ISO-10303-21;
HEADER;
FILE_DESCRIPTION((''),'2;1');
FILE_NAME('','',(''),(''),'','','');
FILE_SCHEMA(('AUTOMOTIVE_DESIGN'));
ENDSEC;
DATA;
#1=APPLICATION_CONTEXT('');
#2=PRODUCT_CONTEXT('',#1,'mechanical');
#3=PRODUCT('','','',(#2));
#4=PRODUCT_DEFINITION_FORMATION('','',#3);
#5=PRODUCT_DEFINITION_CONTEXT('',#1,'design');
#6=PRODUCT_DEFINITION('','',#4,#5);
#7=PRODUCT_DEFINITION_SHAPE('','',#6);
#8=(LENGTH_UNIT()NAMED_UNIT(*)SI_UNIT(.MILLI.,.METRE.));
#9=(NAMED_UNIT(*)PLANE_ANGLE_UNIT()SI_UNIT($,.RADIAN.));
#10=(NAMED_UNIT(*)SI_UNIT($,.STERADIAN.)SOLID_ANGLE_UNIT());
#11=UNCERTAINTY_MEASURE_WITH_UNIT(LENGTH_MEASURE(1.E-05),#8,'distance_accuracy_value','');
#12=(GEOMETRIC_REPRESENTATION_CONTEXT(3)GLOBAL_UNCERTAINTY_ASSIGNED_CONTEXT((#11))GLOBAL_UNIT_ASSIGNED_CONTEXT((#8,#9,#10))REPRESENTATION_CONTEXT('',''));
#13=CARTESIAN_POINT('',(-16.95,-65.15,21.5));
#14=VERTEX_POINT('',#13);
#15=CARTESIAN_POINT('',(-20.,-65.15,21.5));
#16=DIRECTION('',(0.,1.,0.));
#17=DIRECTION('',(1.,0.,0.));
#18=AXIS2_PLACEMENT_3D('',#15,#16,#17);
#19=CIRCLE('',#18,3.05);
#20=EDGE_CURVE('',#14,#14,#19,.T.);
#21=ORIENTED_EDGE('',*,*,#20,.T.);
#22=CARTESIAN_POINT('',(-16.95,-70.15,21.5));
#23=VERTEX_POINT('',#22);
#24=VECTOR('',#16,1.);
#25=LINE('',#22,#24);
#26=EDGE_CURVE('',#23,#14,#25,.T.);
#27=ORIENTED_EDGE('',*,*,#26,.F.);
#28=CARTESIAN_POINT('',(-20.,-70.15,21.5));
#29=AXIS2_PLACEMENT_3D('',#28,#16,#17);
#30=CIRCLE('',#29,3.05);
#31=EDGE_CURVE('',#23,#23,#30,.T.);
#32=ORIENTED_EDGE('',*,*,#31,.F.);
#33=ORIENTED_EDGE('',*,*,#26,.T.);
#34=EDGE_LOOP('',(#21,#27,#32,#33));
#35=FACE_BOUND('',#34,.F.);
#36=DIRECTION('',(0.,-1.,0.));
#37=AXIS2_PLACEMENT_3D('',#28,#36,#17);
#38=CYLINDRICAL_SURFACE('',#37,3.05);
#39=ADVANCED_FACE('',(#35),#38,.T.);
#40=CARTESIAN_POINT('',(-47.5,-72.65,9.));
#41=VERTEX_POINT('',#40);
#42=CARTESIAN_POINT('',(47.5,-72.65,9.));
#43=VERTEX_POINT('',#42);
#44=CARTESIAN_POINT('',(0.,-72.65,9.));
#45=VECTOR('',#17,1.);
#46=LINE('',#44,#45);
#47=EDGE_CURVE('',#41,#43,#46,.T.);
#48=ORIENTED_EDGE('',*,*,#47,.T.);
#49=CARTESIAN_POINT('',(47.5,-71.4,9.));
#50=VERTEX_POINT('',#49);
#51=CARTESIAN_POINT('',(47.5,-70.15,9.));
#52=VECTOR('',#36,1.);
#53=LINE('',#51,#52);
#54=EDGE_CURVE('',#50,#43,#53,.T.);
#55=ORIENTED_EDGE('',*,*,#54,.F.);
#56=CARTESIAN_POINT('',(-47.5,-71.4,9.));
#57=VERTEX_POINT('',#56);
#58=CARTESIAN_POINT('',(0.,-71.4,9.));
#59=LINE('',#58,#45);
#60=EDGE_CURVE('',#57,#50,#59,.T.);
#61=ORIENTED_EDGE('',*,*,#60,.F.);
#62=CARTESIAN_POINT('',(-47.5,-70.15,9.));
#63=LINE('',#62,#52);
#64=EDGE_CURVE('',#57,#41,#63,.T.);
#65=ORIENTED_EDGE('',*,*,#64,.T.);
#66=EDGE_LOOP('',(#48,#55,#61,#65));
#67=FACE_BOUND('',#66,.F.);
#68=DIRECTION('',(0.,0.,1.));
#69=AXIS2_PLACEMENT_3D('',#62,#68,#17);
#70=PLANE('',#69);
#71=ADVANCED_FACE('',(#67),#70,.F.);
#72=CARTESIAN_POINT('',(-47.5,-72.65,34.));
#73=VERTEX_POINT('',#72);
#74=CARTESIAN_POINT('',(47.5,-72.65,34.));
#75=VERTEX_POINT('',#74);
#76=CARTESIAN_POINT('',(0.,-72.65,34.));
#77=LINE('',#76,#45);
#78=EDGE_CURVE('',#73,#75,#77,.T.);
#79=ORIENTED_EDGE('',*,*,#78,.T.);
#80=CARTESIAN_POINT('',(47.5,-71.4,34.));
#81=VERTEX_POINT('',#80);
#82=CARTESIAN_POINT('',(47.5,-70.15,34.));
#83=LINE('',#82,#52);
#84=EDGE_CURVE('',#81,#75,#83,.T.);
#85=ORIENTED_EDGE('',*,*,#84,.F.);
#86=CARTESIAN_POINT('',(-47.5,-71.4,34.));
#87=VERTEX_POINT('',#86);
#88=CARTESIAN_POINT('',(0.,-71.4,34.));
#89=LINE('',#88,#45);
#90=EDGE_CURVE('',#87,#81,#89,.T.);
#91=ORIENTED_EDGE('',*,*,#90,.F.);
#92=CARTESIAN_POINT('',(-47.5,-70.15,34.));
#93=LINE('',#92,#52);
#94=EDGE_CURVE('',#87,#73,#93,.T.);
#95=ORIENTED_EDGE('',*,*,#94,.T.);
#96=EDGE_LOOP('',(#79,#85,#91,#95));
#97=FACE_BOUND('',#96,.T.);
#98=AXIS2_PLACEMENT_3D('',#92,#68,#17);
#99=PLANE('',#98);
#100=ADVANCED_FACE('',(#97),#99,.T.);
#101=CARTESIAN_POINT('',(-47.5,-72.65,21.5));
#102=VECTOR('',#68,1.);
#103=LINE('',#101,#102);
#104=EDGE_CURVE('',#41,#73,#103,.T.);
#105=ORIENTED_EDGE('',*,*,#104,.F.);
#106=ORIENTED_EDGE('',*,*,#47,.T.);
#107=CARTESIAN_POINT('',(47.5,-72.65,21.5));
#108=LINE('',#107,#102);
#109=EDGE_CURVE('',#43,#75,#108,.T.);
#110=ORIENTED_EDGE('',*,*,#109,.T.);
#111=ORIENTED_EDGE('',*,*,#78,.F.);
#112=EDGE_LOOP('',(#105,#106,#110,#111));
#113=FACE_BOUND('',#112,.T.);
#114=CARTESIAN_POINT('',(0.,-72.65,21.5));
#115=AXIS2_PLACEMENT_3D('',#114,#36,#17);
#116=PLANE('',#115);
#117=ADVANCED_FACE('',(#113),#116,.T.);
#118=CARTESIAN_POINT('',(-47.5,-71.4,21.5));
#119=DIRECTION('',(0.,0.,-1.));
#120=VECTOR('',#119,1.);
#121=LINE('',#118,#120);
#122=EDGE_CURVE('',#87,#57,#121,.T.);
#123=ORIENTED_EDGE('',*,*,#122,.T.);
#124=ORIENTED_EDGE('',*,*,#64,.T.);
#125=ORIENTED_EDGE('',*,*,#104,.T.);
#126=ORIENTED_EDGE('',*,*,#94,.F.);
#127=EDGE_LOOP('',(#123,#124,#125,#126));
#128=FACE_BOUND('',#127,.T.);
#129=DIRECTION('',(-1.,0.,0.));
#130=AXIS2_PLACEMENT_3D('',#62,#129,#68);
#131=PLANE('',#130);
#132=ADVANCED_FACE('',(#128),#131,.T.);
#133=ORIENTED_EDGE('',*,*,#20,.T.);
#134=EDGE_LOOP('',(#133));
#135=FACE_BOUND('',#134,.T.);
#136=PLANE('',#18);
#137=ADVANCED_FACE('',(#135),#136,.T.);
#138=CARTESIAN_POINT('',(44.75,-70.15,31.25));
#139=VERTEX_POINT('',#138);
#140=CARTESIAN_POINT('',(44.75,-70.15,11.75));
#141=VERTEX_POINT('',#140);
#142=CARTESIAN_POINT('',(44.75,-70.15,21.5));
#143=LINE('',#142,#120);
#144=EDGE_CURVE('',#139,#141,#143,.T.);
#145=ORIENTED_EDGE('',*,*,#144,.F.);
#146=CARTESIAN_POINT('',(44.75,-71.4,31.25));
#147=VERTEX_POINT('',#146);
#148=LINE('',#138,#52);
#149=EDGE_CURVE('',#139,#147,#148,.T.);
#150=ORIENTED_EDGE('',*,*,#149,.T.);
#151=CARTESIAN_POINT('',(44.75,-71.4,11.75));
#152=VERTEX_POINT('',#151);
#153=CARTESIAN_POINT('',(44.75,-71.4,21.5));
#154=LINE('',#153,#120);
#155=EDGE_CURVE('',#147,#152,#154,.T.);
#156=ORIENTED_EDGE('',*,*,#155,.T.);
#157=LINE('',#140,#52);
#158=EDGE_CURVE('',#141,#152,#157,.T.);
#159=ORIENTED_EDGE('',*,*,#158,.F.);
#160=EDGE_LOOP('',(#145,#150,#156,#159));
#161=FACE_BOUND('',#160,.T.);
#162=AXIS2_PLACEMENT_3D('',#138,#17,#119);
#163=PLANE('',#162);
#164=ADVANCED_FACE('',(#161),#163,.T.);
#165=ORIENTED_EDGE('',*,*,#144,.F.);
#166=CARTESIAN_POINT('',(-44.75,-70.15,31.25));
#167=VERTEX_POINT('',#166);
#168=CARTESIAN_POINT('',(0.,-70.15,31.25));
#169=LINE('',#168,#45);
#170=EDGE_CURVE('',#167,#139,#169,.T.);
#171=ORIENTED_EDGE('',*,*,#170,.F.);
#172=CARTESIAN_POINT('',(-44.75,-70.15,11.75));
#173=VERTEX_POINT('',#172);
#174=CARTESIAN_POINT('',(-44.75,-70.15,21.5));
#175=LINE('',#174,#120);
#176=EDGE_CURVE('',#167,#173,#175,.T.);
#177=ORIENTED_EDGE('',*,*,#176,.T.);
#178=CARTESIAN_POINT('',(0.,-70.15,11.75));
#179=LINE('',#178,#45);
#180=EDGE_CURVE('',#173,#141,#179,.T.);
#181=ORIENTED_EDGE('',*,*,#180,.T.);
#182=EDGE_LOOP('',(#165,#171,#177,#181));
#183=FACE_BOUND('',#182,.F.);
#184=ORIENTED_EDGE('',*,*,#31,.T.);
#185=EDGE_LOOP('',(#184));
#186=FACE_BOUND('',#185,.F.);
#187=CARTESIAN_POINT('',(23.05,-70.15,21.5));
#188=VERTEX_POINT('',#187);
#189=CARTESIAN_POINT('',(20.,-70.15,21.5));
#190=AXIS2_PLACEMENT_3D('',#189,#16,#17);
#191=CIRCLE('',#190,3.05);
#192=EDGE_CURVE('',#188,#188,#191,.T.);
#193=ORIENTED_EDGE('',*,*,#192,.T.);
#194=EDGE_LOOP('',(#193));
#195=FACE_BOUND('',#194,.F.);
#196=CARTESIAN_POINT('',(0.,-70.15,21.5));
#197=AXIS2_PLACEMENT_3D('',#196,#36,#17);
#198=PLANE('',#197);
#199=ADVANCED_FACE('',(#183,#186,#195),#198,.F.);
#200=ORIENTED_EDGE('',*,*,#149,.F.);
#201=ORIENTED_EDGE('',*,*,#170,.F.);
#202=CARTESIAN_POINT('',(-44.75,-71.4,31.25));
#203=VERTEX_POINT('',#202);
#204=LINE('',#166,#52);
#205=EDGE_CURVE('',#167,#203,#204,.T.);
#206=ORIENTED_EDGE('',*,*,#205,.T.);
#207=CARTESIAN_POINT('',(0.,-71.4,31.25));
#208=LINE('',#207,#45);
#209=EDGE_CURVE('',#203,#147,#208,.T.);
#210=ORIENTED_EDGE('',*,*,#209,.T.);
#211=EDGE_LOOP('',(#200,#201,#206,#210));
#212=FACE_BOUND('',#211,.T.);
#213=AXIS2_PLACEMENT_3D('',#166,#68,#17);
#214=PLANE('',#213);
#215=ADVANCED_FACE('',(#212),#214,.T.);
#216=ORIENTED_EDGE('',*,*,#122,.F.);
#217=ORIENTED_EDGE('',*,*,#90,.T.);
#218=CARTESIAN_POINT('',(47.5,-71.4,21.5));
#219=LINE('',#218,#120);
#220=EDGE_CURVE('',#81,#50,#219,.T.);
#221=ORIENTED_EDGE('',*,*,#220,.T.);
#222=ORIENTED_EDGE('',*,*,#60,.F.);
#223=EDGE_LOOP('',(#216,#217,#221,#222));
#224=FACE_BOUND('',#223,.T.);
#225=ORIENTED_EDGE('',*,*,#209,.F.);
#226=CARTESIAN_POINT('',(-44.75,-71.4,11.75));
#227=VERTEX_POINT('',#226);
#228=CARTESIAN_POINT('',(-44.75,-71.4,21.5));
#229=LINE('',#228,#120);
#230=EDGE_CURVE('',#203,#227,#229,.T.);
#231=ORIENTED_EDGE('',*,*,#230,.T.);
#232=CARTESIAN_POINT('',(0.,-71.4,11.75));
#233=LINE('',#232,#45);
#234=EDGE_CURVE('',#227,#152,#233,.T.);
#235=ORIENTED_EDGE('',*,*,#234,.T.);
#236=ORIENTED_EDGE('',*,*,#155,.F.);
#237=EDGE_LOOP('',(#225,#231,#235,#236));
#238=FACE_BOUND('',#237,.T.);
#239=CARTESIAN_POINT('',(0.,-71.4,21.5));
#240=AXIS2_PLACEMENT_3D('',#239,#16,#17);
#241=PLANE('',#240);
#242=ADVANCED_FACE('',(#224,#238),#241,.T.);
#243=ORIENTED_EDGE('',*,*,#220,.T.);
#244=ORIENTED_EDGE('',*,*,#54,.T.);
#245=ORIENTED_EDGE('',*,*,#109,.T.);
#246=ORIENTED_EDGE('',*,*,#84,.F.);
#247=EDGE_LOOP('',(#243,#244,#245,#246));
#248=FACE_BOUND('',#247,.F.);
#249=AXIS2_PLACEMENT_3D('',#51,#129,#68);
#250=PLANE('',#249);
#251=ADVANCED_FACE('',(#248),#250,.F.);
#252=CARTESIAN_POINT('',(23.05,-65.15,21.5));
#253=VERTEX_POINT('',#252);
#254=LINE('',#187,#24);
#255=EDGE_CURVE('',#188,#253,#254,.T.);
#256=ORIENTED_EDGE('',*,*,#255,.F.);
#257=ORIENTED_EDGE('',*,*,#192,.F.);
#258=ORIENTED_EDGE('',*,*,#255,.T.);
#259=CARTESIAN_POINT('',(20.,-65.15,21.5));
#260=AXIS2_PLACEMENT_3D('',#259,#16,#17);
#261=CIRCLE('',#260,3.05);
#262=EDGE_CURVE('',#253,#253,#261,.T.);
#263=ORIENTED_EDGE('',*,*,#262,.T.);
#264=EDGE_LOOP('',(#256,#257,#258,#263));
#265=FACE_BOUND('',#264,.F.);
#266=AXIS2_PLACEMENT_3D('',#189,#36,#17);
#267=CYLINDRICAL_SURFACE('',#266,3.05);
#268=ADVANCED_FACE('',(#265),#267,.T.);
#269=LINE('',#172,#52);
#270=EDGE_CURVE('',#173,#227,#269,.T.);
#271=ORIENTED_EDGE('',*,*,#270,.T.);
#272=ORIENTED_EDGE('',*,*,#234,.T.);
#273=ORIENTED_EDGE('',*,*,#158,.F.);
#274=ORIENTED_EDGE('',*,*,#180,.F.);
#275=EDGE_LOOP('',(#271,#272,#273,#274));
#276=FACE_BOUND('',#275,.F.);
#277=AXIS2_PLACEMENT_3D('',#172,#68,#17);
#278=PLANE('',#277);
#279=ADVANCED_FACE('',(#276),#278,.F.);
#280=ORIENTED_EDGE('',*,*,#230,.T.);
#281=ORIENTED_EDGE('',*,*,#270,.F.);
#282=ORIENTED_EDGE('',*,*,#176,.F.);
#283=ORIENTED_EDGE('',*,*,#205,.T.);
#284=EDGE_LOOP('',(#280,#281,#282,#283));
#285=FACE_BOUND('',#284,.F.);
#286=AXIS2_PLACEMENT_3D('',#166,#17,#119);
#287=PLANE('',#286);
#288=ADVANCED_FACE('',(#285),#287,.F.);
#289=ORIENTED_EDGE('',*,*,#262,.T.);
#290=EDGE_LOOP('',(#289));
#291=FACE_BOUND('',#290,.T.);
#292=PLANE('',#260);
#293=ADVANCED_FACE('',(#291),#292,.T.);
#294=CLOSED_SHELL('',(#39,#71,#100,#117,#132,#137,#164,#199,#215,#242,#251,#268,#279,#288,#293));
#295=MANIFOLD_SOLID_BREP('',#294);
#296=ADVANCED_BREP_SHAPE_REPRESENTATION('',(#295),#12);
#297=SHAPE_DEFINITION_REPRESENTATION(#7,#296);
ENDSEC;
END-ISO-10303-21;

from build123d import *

# Parameters (mm, degrees)
SKETCH048_W     = 95
SKETCH048_H     = 25
PAD020_DEPTH    = 2.5
SKETCH049_R     = 3.05
PAD021_DEPTH    = 5
SKETCH050_W     = 95
SKETCH050_H     = 25
SKETCH050_W_2   = 89.5
SKETCH050_H_2   = 19.5
POCKET027_DEPTH = 1.25


with BuildPart() as part:
    # Sketch048 → Pad020 (new body)
    with BuildSketch(Plane.XZ):
        with Locations((0, 21.5)):
            Rectangle(SKETCH048_W, SKETCH048_H)
    extrude(amount=PAD020_DEPTH)

    # Sketch049 (on Face5 of Pad020) → Pad021 (join)
    with BuildSketch(Plane(origin=(0, 0, 0), x_dir=(1, 0, 0), z_dir=(0, 1, 0))):
        with Locations((-20, -21.5)):
            Circle(SKETCH049_R)
        with Locations((20, -21.5)):
            Circle(SKETCH049_R)
    extrude(amount=PAD021_DEPTH)

    # Sketch050 (on Face4 of Pad021) → Pocket027 (cut)
    with BuildSketch(Plane(origin=(0, 0, 0), x_dir=(1, 0, 0), z_dir=(0, 1, 0))):
        with Locations((0, -21.5)):
            Rectangle(SKETCH050_W, SKETCH050_H)
        with Locations((0, -21.5)):
            Rectangle(SKETCH050_W_2, SKETCH050_H_2, mode=Mode.SUBTRACT)
    extrude(amount=-POCKET027_DEPTH, mode=Mode.SUBTRACT)


with BuildPart() as part_1:
    # Body010 placement: moved
    add(part.part.moved(Location((0, -70.15, 0))))


solid = part_1.part
